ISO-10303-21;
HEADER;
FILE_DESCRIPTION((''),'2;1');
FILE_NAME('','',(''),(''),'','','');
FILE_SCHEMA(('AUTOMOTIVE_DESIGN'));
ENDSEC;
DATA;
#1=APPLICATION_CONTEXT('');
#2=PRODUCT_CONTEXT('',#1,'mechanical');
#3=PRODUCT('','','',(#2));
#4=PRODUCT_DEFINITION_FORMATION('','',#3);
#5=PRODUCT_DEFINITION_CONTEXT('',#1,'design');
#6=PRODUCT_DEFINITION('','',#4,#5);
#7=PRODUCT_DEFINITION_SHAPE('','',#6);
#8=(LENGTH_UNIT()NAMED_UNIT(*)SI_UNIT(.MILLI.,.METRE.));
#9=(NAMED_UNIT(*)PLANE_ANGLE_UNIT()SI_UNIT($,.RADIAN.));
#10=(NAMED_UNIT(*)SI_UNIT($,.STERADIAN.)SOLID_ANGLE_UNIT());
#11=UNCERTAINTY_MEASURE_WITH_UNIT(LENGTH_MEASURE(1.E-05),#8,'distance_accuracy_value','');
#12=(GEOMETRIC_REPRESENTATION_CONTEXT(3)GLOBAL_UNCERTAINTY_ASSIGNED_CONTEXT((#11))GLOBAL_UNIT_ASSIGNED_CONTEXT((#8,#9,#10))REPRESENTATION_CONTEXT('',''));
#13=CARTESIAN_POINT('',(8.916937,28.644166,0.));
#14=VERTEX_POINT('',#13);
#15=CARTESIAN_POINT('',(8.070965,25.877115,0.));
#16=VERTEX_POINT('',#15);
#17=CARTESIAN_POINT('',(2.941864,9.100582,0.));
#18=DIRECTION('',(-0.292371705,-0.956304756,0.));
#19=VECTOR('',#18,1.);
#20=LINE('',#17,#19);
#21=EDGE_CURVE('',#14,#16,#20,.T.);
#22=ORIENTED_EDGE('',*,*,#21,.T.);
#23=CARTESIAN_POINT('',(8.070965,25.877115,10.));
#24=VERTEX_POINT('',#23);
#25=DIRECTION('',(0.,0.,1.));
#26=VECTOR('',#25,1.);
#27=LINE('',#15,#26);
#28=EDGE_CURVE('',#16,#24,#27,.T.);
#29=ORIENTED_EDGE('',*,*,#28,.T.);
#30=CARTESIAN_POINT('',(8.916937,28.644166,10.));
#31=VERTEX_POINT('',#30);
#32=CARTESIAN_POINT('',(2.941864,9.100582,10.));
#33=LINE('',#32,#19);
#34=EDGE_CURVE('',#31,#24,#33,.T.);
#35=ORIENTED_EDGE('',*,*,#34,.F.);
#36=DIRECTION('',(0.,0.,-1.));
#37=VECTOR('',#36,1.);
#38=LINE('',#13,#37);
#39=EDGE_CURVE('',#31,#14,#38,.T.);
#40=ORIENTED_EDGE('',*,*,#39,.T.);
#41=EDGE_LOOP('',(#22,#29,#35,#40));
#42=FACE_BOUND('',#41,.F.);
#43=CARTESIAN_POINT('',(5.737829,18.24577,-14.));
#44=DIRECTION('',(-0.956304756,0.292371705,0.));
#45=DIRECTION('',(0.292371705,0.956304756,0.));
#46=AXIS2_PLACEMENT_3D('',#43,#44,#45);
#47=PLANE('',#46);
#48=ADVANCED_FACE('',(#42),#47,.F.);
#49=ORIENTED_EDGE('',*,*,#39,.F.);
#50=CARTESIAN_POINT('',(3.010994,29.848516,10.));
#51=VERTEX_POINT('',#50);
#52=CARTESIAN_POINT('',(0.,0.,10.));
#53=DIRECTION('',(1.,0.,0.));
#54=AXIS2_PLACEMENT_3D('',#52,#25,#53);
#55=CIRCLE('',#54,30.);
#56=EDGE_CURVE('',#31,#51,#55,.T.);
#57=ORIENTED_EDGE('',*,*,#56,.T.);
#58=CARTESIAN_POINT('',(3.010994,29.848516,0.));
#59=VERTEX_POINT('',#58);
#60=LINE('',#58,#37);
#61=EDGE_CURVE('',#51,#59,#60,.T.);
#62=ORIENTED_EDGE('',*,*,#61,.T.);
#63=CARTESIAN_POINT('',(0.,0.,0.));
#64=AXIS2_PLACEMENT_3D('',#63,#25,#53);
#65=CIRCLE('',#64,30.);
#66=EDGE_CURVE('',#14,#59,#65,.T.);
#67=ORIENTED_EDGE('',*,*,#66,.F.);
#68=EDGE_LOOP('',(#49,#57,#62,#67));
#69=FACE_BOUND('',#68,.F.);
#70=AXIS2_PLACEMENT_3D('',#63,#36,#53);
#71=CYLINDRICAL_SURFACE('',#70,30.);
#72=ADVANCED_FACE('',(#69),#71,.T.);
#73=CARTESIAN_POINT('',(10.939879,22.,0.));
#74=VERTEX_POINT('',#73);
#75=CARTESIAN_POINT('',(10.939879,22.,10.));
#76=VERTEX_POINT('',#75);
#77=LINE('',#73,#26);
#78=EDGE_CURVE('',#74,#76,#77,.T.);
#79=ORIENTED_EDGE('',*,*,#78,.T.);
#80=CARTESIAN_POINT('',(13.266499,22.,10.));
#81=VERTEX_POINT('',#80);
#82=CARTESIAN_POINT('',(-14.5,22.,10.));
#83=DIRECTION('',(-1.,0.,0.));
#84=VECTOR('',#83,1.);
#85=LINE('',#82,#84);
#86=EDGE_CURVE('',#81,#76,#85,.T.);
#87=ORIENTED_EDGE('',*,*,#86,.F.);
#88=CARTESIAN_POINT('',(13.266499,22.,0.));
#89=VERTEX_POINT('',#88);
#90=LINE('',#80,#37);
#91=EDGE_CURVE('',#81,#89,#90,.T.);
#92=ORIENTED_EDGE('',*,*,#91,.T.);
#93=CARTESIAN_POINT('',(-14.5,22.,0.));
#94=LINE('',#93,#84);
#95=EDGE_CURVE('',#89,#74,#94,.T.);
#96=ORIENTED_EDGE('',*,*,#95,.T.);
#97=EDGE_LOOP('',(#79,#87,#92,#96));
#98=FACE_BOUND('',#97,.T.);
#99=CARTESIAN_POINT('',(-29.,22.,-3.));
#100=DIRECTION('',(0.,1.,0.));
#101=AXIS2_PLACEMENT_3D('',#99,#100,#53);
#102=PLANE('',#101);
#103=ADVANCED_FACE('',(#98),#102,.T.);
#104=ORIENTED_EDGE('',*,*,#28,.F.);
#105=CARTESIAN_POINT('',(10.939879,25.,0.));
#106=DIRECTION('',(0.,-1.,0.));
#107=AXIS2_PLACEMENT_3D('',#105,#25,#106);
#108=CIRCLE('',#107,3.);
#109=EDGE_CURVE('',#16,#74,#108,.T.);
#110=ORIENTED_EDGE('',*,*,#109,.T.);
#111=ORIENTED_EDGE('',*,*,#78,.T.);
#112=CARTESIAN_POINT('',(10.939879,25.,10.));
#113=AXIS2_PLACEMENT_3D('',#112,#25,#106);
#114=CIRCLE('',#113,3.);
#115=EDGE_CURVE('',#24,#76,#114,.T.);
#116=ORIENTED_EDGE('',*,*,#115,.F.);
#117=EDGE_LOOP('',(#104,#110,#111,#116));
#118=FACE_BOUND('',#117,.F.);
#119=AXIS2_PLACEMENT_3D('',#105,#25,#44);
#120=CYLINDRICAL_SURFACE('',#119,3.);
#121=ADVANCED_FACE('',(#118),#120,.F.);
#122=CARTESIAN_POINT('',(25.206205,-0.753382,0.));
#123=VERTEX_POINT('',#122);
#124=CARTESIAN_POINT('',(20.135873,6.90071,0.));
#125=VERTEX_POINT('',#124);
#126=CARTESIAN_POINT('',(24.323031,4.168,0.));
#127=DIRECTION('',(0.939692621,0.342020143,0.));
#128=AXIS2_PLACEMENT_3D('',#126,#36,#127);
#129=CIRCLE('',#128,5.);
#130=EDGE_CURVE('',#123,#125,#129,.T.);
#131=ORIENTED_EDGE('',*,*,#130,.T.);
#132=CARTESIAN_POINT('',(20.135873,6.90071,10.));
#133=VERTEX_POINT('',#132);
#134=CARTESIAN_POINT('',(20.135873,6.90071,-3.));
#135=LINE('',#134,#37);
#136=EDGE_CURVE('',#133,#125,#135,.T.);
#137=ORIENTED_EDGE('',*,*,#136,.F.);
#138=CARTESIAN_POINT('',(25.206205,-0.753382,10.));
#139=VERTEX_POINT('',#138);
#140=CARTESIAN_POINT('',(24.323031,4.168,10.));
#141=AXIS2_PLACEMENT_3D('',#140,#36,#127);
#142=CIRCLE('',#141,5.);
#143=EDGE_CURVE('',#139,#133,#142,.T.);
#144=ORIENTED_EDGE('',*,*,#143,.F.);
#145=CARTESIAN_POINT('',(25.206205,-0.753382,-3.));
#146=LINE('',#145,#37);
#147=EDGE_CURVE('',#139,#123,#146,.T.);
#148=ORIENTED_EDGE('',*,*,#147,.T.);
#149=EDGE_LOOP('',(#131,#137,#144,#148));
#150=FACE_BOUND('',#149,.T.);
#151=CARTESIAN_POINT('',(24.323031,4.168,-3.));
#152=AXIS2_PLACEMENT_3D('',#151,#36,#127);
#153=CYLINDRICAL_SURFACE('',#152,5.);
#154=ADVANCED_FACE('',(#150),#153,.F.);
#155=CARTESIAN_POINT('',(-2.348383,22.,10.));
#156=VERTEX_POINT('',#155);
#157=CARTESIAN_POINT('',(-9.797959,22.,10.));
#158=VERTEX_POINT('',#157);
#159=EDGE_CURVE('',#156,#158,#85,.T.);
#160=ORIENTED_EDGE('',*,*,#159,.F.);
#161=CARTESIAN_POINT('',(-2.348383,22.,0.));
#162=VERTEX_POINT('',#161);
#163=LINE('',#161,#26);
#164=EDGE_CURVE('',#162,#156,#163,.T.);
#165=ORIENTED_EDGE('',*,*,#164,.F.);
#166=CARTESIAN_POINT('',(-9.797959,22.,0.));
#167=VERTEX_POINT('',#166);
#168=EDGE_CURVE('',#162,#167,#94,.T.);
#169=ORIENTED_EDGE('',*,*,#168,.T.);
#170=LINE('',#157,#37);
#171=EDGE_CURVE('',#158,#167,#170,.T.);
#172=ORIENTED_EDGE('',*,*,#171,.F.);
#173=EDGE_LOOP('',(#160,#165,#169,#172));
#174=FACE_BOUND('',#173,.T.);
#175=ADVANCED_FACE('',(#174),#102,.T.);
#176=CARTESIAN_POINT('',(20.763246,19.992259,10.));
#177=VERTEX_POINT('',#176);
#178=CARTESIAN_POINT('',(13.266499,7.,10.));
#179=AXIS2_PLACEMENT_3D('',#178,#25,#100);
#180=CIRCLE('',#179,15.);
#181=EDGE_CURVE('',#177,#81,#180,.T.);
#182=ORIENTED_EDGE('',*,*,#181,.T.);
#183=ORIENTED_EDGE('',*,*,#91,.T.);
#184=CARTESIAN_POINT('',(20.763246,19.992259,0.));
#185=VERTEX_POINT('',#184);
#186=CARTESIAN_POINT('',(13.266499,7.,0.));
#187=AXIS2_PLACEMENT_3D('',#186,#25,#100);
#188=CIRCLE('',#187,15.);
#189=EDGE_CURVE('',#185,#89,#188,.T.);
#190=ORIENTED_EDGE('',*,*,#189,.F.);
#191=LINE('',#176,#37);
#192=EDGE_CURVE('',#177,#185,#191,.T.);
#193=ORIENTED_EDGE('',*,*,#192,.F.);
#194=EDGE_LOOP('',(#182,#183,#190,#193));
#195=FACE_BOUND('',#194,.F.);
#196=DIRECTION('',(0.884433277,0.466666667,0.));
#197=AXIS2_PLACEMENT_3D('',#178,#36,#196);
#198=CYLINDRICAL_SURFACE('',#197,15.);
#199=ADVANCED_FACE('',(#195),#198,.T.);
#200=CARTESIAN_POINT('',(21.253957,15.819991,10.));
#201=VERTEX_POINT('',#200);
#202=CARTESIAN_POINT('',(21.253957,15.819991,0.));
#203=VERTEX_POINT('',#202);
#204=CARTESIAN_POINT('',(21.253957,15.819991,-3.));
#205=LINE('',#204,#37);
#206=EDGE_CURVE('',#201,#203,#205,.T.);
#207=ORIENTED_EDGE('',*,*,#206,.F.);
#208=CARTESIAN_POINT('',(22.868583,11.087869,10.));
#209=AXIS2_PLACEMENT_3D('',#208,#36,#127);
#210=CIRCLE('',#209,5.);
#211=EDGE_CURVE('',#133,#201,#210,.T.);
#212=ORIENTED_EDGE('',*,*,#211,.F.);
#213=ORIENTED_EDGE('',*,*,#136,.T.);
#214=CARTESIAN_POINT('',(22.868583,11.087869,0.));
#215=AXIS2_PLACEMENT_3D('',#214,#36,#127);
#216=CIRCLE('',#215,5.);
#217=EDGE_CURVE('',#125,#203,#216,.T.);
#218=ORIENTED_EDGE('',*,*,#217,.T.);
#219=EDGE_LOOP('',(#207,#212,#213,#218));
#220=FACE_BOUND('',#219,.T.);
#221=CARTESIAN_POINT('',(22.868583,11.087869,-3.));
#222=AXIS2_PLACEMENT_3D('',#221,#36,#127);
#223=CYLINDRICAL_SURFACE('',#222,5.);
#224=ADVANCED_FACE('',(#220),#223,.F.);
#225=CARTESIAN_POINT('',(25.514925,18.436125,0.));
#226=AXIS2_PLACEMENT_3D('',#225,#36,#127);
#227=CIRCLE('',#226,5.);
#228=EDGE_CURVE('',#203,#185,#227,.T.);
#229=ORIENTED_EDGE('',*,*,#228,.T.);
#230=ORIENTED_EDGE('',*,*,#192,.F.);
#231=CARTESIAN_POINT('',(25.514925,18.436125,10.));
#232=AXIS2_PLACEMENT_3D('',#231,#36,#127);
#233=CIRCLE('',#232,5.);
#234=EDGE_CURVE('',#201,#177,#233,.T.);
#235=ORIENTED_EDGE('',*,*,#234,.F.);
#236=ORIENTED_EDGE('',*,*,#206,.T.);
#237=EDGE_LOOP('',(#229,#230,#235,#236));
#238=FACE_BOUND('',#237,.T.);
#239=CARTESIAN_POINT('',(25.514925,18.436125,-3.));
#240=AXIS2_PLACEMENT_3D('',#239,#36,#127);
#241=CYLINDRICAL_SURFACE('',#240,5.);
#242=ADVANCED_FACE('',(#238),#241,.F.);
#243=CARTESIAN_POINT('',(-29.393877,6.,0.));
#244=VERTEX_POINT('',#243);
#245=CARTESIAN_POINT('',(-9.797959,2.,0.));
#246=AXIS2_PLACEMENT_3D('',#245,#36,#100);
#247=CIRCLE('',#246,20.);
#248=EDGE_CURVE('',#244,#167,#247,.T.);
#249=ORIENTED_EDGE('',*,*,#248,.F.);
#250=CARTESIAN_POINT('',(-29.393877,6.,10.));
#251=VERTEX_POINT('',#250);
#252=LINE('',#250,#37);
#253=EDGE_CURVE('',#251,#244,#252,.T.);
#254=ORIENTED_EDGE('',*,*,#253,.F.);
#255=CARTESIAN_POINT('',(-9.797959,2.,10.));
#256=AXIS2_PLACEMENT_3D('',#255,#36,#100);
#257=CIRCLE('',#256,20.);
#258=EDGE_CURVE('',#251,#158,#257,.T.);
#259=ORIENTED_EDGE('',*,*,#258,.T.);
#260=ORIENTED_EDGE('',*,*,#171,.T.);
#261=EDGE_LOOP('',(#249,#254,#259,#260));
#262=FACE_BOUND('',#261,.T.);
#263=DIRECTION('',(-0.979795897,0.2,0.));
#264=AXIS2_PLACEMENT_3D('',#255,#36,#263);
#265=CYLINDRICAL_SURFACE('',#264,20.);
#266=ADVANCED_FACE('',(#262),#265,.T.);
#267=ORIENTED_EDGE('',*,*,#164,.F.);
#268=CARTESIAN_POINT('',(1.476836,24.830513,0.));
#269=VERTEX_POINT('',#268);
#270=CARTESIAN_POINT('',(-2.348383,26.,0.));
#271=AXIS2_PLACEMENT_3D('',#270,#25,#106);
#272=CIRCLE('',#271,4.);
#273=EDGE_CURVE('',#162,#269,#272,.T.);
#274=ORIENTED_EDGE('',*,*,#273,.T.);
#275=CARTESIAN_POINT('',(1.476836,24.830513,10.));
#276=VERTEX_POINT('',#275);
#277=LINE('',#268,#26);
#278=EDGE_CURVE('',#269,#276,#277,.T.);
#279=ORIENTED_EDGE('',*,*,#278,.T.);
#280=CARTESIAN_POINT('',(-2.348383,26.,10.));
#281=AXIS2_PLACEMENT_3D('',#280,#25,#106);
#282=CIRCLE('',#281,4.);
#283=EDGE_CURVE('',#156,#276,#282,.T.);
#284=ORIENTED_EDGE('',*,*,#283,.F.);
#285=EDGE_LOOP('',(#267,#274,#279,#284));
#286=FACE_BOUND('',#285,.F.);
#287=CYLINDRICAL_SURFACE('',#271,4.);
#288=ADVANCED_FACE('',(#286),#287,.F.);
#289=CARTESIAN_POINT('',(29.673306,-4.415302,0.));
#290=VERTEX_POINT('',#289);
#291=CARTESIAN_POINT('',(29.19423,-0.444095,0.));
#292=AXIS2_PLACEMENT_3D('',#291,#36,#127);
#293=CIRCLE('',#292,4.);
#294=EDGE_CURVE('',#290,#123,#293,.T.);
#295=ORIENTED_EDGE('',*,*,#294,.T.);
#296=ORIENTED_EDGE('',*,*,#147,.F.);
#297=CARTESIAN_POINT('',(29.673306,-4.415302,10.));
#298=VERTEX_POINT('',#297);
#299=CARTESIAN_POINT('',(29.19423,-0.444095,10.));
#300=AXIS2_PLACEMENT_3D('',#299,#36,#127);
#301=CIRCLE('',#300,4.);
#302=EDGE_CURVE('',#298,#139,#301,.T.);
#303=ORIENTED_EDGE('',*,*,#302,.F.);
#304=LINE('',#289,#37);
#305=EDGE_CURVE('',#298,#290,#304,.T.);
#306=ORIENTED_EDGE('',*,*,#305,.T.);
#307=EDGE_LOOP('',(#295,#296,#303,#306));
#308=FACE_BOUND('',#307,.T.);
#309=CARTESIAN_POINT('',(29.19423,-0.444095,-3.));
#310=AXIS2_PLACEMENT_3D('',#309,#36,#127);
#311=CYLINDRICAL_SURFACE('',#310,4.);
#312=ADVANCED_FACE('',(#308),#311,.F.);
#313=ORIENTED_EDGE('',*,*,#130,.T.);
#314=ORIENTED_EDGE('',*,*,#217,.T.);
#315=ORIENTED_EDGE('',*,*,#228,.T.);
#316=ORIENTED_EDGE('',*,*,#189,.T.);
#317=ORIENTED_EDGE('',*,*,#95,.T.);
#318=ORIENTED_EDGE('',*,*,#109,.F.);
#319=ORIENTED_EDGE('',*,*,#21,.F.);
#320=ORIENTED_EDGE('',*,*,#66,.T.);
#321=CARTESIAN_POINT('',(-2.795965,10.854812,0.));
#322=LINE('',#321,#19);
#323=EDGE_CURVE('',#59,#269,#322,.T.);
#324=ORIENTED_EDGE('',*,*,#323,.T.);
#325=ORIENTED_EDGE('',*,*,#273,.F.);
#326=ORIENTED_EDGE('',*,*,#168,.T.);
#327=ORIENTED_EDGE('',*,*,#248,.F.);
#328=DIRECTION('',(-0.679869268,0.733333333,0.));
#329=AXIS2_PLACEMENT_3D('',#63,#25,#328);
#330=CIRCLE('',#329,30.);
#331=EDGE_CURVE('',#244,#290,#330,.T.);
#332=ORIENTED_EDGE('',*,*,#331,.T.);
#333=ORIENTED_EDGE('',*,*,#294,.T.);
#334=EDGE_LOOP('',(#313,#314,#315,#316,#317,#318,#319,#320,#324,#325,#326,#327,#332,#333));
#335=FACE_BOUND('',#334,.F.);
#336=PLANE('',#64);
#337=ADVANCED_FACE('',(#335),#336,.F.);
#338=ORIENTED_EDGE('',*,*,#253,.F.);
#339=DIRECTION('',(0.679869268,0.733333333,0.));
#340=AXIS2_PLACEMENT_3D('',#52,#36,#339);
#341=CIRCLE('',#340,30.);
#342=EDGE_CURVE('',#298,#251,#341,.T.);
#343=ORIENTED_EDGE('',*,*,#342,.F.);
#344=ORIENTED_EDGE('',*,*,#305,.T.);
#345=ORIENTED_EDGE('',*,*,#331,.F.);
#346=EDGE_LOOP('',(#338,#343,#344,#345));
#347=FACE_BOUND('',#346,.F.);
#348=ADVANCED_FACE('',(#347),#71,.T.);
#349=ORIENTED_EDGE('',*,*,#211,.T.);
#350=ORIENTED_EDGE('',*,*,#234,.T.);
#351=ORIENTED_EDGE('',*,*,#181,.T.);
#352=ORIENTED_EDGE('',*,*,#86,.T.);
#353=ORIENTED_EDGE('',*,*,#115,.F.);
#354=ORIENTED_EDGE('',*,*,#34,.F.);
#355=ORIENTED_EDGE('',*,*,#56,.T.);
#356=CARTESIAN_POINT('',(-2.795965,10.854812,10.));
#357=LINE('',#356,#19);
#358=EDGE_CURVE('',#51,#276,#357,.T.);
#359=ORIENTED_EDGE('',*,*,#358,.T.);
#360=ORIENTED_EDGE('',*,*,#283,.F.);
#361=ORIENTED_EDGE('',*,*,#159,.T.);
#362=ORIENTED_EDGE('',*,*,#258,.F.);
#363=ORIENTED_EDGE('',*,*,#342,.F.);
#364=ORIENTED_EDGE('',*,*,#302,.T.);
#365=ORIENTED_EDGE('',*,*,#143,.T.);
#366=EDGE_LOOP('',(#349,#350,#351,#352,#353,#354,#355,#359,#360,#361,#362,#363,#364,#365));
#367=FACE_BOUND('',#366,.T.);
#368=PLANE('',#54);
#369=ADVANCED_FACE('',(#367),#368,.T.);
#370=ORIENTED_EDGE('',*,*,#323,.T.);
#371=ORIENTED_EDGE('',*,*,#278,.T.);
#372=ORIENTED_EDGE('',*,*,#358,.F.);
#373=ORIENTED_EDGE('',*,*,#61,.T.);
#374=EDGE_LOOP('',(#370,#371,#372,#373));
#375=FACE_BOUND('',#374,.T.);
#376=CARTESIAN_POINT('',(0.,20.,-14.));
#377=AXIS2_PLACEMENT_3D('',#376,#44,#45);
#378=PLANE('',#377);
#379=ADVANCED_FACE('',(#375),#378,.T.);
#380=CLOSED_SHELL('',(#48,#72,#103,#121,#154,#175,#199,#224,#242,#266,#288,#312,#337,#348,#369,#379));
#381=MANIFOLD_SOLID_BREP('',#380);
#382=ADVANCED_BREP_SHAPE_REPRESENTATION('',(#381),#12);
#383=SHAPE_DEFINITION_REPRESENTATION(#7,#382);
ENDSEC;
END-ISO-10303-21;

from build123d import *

# Parameters (mm, degrees)
BOX002_W                  = 10
BOX002_H                  = 14
BOX002_DEPTH              = 15
CYLINDER002_R             = 5
CYLINDER002_DEPTH         = 15
CYLINDER001_R             = 5
CYLINDER001_DEPTH         = 15
CYLINDER004_R             = 4
CYLINDER004_DEPTH         = 15
CYLINDER003_R             = 5
CYLINDER003_DEPTH         = 15
FUSION003_PLACEMENT_ANGLE = 20
BOX001_W                  = 6
BOX001_H                  = 25
BOX001_DEPTH              = 38
BOX001_PLACEMENT_ANGLE    = -17
BOX_W                     = 59
BOX_H                     = 14
BOX_DEPTH                 = 15
CYLINDER_R                = 30
CYLINDER_DEPTH            = 10
FILLET_R                  = 20
FILLET001_R               = 15
FILLET002_R               = 4
FILLET003_R               = 3


with BuildPart() as cube002:
    # Box002 → Box002 (new body)
    with BuildSketch(Plane(origin=(23, -9, -2), x_dir=(1, 0, 0), z_dir=(0, 0, 1))):
        with Locations((5, 7)):
            Rectangle(BOX002_W, BOX002_H)
    extrude(amount=BOX002_DEPTH)


with BuildPart() as fusion:
    # Cylinder002 → Cylinder002 (new body)
    with BuildSketch(Plane(origin=(24, 2, -3), x_dir=(1, 0, 0), z_dir=(0, 0, 1))):
        Circle(CYLINDER002_R)
    extrude(amount=CYLINDER002_DEPTH)

    # Fusion: union Cube002
    add(cube002.part)


with BuildPart() as fusion001:
    # Cylinder001 → Cylinder001 (new body)
    with BuildSketch(Plane(origin=(29, 8, -3), x_dir=(1, 0, 0), z_dir=(0, 0, 1))):
        Circle(CYLINDER001_R)
    extrude(amount=CYLINDER001_DEPTH)

    # Fusion001: union Fusion
    add(fusion.part)


with BuildPart() as fusion002:
    # Cylinder004 → Cylinder004 (new body)
    with BuildSketch(Plane(origin=(26, -11, -3), x_dir=(1, 0, 0), z_dir=(0, 0, 1))):
        Circle(CYLINDER004_R)
    extrude(amount=CYLINDER004_DEPTH)

    # Fusion002: union Fusion001
    add(fusion001.part)


with BuildPart() as fusion003:
    # Cylinder003 → Cylinder003 (new body)
    with BuildSketch(Plane(origin=(23, -5, -3), x_dir=(1, 0, 0), z_dir=(0, 0, 1))):
        Circle(CYLINDER003_R)
    extrude(amount=CYLINDER003_DEPTH)

    # Fusion003: union Fusion002
    add(fusion002.part)


with BuildPart() as fusion003_1:
    # Fusion003 placement: moved
    add(fusion003.part.moved(Location((1, 1, 0))).rotate(Axis((1, 1, 0), (0, 0, 1)), FUSION003_PLACEMENT_ANGLE))


with BuildPart() as cube001:
    # Box001 → Box001 (new body)
    with BuildSketch(Plane.XY):
        with Locations((3, 12.5)):
            Rectangle(BOX001_W, BOX001_H)
    extrude(amount=BOX001_DEPTH)


with BuildPart() as cube001_1:
    # Box001 placement: moved
    add(cube001.part.moved(Location((0, 20, -14))).rotate(Axis((0, 20, -14), (0, 0, 1)), BOX001_PLACEMENT_ANGLE))


with BuildPart() as cut:
    # Box → Box (new body)
    with BuildSketch(Plane(origin=(-29, 22, -3), x_dir=(1, 0, 0), z_dir=(0, 0, 1))):
        with Locations((29.5, 7)):
            Rectangle(BOX_W, BOX_H)
    extrude(amount=BOX_DEPTH)

    # Cut: cut Cube001
    add(cube001_1.part, mode=Mode.SUBTRACT)


with BuildPart() as cut002:
    # Cylinder → Cylinder (new body)
    with BuildSketch(Plane.XY):
        Circle(CYLINDER_R)
    extrude(amount=CYLINDER_DEPTH)

    # Cut001: cut Cut
    add(cut.part, mode=Mode.SUBTRACT)

    # Fillet
    fillet_edges = [cut002.edges().sort_by_distance(p)[0] for p in [
        (-20.396078, 22, 5),
    ]]
    fillet(fillet_edges, radius=FILLET_R)

    # Fillet001
    fillet001_edges = [cut002.edges().sort_by_distance(p)[0] for p in [
        (20.396078, 22, 5),
    ]]
    fillet(fillet001_edges, radius=FILLET001_R)

    # Fillet002
    fillet002_edges = [cut002.edges().sort_by_distance(p)[0] for p in [
        (0.611461, 22, 5),
    ]]
    fillet(fillet002_edges, radius=FILLET002_R)

    # Fillet003
    fillet003_edges = [cut002.edges().sort_by_distance(p)[0] for p in [
        (6.885612, 22, 5),
    ]]
    fillet(fillet003_edges, radius=FILLET003_R)

    # Cut002: cut Fusion003
    add(fusion003_1.part, mode=Mode.SUBTRACT)


solid = cut002.part
